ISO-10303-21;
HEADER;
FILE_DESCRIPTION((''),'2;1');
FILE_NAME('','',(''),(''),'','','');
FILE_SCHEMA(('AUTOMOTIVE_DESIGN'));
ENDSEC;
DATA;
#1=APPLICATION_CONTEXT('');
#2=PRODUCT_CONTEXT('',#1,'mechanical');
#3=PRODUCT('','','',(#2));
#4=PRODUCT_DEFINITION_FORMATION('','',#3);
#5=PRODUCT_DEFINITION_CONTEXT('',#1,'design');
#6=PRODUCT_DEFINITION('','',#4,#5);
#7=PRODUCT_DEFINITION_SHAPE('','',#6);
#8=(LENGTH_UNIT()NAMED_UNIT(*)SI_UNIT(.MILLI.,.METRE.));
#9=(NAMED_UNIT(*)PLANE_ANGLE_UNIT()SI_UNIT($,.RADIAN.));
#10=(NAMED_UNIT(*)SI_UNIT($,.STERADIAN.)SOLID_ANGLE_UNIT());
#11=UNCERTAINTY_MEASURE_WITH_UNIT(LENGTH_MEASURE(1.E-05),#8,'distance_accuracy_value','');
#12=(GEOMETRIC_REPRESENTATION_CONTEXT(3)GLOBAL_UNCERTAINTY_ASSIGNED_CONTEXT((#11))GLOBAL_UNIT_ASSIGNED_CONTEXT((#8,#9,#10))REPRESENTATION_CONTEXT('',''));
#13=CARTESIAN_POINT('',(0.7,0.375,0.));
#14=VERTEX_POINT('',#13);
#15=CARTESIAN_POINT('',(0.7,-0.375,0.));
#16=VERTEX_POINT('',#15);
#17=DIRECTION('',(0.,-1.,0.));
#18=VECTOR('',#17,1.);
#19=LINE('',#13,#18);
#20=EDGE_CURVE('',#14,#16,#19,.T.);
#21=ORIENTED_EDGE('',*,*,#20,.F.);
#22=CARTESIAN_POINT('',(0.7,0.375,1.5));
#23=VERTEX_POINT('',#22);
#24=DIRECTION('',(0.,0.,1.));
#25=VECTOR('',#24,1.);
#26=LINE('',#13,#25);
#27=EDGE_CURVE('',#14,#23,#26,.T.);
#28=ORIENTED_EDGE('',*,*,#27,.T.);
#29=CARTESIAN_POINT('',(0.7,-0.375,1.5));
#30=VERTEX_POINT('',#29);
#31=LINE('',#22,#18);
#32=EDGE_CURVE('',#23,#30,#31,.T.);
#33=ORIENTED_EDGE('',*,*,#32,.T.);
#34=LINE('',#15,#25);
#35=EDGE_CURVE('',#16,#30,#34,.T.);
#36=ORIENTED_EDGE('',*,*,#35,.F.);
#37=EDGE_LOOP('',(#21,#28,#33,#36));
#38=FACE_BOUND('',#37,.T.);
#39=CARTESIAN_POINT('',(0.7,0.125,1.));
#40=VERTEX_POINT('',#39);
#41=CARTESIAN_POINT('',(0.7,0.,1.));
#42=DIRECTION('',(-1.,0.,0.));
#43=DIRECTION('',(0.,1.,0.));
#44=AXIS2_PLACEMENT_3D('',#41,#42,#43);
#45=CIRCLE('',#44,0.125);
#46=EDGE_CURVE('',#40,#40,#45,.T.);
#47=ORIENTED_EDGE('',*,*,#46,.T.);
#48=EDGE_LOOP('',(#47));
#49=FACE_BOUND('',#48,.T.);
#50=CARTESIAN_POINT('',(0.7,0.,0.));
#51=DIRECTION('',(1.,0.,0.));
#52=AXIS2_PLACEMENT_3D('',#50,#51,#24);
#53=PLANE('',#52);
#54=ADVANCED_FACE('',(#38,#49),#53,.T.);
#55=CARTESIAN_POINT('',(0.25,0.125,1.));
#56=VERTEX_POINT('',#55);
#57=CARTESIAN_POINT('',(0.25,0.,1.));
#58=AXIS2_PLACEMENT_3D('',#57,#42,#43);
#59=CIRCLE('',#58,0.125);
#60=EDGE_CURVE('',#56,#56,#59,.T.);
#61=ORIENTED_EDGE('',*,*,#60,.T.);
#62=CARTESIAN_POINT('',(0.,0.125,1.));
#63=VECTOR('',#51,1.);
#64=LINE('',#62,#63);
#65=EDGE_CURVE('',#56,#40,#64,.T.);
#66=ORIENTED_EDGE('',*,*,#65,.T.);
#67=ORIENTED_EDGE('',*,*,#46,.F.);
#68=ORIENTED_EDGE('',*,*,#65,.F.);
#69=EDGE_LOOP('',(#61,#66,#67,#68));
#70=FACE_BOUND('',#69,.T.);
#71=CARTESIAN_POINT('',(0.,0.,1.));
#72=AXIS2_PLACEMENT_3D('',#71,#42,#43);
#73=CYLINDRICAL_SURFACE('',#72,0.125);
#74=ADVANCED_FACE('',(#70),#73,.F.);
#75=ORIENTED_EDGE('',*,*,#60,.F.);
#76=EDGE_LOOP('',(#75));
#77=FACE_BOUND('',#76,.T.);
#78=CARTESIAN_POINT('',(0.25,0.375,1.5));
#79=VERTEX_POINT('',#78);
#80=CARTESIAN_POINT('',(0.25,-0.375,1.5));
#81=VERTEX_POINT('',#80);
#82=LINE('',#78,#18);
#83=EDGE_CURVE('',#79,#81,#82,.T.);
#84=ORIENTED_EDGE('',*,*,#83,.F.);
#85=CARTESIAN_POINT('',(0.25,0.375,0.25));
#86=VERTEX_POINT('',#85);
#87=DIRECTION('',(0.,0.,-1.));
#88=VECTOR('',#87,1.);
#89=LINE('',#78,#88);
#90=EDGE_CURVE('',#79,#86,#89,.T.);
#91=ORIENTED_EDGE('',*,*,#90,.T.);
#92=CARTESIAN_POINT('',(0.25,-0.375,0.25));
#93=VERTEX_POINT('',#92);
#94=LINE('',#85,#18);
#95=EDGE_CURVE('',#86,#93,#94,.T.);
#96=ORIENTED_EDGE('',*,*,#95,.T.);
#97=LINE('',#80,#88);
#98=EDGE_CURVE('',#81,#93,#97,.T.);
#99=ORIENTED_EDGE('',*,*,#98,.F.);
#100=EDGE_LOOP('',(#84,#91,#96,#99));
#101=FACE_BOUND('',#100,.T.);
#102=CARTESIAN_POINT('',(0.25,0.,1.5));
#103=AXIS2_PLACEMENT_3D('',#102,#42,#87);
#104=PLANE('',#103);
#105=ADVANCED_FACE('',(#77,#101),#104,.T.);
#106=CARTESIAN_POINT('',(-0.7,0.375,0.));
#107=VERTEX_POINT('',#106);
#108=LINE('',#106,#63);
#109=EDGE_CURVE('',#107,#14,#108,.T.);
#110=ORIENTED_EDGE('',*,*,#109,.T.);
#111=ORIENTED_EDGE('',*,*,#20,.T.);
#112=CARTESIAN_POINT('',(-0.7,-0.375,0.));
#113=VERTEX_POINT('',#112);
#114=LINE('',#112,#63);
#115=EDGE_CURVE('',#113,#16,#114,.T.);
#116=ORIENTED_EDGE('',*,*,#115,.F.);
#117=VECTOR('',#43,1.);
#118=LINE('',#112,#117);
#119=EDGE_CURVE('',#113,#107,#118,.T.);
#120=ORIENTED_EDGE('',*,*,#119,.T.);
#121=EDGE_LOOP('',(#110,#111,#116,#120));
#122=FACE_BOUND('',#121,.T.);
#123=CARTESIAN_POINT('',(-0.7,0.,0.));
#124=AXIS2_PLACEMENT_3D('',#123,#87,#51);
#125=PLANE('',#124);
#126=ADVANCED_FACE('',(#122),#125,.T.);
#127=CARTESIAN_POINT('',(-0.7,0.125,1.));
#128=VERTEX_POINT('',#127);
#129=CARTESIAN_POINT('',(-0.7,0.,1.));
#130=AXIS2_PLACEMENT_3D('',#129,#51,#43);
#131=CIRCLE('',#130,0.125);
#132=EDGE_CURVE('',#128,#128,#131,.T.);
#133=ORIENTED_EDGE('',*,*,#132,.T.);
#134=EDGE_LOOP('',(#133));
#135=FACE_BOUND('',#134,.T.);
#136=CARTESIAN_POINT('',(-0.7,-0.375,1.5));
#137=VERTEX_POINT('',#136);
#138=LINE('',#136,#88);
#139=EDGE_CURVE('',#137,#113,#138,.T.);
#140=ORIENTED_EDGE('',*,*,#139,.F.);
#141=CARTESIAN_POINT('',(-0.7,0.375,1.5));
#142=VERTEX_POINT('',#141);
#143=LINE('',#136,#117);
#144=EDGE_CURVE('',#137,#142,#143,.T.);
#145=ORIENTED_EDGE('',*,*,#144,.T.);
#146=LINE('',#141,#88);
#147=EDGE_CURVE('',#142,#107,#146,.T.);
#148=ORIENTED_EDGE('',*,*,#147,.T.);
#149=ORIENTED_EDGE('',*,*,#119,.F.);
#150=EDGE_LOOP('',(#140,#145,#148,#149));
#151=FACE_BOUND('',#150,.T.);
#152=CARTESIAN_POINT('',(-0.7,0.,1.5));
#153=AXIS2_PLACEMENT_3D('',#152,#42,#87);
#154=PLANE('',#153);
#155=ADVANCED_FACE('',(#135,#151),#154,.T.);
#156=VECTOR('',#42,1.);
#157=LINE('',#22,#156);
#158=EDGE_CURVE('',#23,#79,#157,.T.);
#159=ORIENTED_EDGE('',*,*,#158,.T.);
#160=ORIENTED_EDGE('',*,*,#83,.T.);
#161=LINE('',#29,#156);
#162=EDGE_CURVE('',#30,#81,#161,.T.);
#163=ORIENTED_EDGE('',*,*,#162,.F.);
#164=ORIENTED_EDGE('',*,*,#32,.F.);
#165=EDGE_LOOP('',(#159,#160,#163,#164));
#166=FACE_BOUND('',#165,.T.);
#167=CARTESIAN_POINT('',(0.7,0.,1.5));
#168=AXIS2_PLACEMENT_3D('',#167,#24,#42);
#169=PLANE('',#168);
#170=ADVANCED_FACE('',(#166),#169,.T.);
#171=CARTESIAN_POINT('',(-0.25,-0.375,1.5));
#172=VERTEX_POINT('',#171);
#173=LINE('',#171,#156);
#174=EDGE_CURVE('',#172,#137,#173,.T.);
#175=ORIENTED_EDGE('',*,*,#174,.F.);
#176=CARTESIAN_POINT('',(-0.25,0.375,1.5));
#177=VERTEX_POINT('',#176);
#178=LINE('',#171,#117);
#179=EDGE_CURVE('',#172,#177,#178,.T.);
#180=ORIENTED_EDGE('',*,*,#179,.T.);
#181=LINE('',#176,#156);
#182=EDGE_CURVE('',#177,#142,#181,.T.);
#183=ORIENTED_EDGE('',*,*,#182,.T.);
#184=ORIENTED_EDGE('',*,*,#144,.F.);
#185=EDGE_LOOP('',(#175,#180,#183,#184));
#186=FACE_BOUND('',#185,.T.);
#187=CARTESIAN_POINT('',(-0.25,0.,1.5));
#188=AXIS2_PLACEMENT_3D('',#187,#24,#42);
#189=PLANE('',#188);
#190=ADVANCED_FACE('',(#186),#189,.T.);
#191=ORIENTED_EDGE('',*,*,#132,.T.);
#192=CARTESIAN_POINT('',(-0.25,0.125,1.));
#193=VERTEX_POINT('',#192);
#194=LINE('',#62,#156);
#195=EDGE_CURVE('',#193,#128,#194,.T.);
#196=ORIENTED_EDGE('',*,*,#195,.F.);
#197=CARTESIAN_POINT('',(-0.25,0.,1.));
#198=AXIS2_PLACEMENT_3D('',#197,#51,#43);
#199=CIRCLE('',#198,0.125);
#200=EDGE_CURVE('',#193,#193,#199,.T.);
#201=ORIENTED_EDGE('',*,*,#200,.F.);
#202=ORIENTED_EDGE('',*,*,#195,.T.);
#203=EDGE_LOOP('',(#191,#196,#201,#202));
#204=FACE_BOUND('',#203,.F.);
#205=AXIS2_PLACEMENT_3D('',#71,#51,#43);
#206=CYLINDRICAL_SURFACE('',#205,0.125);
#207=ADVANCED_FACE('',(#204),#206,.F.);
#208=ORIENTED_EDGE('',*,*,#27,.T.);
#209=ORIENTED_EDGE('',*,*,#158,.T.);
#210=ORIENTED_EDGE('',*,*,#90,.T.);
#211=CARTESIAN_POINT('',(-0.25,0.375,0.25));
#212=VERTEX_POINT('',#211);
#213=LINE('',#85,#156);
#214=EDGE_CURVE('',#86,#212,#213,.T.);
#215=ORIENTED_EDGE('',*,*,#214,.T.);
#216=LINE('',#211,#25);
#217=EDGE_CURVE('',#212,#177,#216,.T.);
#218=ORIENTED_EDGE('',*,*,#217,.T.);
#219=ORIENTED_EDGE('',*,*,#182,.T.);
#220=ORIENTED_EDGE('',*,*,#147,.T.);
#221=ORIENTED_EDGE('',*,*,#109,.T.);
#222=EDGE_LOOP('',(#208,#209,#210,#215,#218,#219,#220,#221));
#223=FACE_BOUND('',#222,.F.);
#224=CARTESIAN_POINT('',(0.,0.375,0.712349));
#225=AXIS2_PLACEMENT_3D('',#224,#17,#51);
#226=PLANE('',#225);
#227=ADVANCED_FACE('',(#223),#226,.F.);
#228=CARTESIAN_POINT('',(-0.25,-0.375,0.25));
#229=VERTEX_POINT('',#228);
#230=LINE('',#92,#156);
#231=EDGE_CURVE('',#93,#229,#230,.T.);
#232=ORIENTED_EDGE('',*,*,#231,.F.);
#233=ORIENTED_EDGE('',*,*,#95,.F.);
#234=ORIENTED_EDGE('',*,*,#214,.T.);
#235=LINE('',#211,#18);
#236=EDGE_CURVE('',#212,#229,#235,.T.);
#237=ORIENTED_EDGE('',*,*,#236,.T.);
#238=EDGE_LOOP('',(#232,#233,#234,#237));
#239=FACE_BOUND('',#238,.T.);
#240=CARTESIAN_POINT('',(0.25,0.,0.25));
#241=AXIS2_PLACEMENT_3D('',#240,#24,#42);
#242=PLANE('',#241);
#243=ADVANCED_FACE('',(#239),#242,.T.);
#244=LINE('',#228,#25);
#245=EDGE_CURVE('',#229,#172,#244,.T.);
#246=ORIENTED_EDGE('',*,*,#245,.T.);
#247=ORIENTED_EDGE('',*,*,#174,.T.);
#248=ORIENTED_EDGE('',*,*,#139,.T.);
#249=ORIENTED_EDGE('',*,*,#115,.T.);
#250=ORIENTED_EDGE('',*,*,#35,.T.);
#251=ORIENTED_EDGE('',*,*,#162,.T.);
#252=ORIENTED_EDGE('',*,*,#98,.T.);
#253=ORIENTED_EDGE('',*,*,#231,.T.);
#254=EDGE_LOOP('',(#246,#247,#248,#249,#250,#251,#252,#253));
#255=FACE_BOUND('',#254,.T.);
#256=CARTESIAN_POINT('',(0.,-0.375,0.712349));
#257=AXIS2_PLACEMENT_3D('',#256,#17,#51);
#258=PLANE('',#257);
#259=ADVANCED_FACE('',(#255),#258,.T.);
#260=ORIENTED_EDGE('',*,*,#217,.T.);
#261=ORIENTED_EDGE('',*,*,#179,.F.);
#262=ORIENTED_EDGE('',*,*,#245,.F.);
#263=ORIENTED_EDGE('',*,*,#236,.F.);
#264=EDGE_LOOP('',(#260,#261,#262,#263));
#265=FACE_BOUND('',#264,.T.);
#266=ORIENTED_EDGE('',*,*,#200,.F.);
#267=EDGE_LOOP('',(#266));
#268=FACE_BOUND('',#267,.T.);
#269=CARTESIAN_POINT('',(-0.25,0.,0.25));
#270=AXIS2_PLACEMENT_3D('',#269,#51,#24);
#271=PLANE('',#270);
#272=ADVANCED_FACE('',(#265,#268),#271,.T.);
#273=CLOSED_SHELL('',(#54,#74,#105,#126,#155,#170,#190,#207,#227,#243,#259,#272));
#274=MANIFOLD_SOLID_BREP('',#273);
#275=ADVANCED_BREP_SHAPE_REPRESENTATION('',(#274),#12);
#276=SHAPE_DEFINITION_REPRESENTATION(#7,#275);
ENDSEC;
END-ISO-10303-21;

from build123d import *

# Parameters (mm, degrees)
F1_DEPTH      = 0.375
F1_DEPTH_BACK = 0.375
F2_R          = 0.125
F3_DEPTH      = 25
F3_DEPTH_BACK = 25


with BuildPart() as f1:
    # F0 (on Front) → F1 (new body, two sides)
    with BuildSketch(Plane.XZ) as f1_sk:
        Polygon((-0.7, 0), (0, 0), (0.7, 0), (0.7, 1.5), (0.25, 1.5), (0.25, 0.25), (-0.25, 0.25), (-0.25, 1.5), (-0.7, 1.5), align=None)
    extrude(amount=F1_DEPTH)
    extrude(f1_sk.sketch, amount=-F1_DEPTH_BACK)

    # F2 (on Right) → F3 (cut, two sides)
    with BuildSketch(Plane.YZ) as f3_sk:
        with Locations((0, 1)):
            Circle(F2_R)
    extrude(amount=-F3_DEPTH, mode=Mode.SUBTRACT)
    extrude(f3_sk.sketch, amount=F3_DEPTH_BACK, mode=Mode.SUBTRACT)


solid = f1.part
